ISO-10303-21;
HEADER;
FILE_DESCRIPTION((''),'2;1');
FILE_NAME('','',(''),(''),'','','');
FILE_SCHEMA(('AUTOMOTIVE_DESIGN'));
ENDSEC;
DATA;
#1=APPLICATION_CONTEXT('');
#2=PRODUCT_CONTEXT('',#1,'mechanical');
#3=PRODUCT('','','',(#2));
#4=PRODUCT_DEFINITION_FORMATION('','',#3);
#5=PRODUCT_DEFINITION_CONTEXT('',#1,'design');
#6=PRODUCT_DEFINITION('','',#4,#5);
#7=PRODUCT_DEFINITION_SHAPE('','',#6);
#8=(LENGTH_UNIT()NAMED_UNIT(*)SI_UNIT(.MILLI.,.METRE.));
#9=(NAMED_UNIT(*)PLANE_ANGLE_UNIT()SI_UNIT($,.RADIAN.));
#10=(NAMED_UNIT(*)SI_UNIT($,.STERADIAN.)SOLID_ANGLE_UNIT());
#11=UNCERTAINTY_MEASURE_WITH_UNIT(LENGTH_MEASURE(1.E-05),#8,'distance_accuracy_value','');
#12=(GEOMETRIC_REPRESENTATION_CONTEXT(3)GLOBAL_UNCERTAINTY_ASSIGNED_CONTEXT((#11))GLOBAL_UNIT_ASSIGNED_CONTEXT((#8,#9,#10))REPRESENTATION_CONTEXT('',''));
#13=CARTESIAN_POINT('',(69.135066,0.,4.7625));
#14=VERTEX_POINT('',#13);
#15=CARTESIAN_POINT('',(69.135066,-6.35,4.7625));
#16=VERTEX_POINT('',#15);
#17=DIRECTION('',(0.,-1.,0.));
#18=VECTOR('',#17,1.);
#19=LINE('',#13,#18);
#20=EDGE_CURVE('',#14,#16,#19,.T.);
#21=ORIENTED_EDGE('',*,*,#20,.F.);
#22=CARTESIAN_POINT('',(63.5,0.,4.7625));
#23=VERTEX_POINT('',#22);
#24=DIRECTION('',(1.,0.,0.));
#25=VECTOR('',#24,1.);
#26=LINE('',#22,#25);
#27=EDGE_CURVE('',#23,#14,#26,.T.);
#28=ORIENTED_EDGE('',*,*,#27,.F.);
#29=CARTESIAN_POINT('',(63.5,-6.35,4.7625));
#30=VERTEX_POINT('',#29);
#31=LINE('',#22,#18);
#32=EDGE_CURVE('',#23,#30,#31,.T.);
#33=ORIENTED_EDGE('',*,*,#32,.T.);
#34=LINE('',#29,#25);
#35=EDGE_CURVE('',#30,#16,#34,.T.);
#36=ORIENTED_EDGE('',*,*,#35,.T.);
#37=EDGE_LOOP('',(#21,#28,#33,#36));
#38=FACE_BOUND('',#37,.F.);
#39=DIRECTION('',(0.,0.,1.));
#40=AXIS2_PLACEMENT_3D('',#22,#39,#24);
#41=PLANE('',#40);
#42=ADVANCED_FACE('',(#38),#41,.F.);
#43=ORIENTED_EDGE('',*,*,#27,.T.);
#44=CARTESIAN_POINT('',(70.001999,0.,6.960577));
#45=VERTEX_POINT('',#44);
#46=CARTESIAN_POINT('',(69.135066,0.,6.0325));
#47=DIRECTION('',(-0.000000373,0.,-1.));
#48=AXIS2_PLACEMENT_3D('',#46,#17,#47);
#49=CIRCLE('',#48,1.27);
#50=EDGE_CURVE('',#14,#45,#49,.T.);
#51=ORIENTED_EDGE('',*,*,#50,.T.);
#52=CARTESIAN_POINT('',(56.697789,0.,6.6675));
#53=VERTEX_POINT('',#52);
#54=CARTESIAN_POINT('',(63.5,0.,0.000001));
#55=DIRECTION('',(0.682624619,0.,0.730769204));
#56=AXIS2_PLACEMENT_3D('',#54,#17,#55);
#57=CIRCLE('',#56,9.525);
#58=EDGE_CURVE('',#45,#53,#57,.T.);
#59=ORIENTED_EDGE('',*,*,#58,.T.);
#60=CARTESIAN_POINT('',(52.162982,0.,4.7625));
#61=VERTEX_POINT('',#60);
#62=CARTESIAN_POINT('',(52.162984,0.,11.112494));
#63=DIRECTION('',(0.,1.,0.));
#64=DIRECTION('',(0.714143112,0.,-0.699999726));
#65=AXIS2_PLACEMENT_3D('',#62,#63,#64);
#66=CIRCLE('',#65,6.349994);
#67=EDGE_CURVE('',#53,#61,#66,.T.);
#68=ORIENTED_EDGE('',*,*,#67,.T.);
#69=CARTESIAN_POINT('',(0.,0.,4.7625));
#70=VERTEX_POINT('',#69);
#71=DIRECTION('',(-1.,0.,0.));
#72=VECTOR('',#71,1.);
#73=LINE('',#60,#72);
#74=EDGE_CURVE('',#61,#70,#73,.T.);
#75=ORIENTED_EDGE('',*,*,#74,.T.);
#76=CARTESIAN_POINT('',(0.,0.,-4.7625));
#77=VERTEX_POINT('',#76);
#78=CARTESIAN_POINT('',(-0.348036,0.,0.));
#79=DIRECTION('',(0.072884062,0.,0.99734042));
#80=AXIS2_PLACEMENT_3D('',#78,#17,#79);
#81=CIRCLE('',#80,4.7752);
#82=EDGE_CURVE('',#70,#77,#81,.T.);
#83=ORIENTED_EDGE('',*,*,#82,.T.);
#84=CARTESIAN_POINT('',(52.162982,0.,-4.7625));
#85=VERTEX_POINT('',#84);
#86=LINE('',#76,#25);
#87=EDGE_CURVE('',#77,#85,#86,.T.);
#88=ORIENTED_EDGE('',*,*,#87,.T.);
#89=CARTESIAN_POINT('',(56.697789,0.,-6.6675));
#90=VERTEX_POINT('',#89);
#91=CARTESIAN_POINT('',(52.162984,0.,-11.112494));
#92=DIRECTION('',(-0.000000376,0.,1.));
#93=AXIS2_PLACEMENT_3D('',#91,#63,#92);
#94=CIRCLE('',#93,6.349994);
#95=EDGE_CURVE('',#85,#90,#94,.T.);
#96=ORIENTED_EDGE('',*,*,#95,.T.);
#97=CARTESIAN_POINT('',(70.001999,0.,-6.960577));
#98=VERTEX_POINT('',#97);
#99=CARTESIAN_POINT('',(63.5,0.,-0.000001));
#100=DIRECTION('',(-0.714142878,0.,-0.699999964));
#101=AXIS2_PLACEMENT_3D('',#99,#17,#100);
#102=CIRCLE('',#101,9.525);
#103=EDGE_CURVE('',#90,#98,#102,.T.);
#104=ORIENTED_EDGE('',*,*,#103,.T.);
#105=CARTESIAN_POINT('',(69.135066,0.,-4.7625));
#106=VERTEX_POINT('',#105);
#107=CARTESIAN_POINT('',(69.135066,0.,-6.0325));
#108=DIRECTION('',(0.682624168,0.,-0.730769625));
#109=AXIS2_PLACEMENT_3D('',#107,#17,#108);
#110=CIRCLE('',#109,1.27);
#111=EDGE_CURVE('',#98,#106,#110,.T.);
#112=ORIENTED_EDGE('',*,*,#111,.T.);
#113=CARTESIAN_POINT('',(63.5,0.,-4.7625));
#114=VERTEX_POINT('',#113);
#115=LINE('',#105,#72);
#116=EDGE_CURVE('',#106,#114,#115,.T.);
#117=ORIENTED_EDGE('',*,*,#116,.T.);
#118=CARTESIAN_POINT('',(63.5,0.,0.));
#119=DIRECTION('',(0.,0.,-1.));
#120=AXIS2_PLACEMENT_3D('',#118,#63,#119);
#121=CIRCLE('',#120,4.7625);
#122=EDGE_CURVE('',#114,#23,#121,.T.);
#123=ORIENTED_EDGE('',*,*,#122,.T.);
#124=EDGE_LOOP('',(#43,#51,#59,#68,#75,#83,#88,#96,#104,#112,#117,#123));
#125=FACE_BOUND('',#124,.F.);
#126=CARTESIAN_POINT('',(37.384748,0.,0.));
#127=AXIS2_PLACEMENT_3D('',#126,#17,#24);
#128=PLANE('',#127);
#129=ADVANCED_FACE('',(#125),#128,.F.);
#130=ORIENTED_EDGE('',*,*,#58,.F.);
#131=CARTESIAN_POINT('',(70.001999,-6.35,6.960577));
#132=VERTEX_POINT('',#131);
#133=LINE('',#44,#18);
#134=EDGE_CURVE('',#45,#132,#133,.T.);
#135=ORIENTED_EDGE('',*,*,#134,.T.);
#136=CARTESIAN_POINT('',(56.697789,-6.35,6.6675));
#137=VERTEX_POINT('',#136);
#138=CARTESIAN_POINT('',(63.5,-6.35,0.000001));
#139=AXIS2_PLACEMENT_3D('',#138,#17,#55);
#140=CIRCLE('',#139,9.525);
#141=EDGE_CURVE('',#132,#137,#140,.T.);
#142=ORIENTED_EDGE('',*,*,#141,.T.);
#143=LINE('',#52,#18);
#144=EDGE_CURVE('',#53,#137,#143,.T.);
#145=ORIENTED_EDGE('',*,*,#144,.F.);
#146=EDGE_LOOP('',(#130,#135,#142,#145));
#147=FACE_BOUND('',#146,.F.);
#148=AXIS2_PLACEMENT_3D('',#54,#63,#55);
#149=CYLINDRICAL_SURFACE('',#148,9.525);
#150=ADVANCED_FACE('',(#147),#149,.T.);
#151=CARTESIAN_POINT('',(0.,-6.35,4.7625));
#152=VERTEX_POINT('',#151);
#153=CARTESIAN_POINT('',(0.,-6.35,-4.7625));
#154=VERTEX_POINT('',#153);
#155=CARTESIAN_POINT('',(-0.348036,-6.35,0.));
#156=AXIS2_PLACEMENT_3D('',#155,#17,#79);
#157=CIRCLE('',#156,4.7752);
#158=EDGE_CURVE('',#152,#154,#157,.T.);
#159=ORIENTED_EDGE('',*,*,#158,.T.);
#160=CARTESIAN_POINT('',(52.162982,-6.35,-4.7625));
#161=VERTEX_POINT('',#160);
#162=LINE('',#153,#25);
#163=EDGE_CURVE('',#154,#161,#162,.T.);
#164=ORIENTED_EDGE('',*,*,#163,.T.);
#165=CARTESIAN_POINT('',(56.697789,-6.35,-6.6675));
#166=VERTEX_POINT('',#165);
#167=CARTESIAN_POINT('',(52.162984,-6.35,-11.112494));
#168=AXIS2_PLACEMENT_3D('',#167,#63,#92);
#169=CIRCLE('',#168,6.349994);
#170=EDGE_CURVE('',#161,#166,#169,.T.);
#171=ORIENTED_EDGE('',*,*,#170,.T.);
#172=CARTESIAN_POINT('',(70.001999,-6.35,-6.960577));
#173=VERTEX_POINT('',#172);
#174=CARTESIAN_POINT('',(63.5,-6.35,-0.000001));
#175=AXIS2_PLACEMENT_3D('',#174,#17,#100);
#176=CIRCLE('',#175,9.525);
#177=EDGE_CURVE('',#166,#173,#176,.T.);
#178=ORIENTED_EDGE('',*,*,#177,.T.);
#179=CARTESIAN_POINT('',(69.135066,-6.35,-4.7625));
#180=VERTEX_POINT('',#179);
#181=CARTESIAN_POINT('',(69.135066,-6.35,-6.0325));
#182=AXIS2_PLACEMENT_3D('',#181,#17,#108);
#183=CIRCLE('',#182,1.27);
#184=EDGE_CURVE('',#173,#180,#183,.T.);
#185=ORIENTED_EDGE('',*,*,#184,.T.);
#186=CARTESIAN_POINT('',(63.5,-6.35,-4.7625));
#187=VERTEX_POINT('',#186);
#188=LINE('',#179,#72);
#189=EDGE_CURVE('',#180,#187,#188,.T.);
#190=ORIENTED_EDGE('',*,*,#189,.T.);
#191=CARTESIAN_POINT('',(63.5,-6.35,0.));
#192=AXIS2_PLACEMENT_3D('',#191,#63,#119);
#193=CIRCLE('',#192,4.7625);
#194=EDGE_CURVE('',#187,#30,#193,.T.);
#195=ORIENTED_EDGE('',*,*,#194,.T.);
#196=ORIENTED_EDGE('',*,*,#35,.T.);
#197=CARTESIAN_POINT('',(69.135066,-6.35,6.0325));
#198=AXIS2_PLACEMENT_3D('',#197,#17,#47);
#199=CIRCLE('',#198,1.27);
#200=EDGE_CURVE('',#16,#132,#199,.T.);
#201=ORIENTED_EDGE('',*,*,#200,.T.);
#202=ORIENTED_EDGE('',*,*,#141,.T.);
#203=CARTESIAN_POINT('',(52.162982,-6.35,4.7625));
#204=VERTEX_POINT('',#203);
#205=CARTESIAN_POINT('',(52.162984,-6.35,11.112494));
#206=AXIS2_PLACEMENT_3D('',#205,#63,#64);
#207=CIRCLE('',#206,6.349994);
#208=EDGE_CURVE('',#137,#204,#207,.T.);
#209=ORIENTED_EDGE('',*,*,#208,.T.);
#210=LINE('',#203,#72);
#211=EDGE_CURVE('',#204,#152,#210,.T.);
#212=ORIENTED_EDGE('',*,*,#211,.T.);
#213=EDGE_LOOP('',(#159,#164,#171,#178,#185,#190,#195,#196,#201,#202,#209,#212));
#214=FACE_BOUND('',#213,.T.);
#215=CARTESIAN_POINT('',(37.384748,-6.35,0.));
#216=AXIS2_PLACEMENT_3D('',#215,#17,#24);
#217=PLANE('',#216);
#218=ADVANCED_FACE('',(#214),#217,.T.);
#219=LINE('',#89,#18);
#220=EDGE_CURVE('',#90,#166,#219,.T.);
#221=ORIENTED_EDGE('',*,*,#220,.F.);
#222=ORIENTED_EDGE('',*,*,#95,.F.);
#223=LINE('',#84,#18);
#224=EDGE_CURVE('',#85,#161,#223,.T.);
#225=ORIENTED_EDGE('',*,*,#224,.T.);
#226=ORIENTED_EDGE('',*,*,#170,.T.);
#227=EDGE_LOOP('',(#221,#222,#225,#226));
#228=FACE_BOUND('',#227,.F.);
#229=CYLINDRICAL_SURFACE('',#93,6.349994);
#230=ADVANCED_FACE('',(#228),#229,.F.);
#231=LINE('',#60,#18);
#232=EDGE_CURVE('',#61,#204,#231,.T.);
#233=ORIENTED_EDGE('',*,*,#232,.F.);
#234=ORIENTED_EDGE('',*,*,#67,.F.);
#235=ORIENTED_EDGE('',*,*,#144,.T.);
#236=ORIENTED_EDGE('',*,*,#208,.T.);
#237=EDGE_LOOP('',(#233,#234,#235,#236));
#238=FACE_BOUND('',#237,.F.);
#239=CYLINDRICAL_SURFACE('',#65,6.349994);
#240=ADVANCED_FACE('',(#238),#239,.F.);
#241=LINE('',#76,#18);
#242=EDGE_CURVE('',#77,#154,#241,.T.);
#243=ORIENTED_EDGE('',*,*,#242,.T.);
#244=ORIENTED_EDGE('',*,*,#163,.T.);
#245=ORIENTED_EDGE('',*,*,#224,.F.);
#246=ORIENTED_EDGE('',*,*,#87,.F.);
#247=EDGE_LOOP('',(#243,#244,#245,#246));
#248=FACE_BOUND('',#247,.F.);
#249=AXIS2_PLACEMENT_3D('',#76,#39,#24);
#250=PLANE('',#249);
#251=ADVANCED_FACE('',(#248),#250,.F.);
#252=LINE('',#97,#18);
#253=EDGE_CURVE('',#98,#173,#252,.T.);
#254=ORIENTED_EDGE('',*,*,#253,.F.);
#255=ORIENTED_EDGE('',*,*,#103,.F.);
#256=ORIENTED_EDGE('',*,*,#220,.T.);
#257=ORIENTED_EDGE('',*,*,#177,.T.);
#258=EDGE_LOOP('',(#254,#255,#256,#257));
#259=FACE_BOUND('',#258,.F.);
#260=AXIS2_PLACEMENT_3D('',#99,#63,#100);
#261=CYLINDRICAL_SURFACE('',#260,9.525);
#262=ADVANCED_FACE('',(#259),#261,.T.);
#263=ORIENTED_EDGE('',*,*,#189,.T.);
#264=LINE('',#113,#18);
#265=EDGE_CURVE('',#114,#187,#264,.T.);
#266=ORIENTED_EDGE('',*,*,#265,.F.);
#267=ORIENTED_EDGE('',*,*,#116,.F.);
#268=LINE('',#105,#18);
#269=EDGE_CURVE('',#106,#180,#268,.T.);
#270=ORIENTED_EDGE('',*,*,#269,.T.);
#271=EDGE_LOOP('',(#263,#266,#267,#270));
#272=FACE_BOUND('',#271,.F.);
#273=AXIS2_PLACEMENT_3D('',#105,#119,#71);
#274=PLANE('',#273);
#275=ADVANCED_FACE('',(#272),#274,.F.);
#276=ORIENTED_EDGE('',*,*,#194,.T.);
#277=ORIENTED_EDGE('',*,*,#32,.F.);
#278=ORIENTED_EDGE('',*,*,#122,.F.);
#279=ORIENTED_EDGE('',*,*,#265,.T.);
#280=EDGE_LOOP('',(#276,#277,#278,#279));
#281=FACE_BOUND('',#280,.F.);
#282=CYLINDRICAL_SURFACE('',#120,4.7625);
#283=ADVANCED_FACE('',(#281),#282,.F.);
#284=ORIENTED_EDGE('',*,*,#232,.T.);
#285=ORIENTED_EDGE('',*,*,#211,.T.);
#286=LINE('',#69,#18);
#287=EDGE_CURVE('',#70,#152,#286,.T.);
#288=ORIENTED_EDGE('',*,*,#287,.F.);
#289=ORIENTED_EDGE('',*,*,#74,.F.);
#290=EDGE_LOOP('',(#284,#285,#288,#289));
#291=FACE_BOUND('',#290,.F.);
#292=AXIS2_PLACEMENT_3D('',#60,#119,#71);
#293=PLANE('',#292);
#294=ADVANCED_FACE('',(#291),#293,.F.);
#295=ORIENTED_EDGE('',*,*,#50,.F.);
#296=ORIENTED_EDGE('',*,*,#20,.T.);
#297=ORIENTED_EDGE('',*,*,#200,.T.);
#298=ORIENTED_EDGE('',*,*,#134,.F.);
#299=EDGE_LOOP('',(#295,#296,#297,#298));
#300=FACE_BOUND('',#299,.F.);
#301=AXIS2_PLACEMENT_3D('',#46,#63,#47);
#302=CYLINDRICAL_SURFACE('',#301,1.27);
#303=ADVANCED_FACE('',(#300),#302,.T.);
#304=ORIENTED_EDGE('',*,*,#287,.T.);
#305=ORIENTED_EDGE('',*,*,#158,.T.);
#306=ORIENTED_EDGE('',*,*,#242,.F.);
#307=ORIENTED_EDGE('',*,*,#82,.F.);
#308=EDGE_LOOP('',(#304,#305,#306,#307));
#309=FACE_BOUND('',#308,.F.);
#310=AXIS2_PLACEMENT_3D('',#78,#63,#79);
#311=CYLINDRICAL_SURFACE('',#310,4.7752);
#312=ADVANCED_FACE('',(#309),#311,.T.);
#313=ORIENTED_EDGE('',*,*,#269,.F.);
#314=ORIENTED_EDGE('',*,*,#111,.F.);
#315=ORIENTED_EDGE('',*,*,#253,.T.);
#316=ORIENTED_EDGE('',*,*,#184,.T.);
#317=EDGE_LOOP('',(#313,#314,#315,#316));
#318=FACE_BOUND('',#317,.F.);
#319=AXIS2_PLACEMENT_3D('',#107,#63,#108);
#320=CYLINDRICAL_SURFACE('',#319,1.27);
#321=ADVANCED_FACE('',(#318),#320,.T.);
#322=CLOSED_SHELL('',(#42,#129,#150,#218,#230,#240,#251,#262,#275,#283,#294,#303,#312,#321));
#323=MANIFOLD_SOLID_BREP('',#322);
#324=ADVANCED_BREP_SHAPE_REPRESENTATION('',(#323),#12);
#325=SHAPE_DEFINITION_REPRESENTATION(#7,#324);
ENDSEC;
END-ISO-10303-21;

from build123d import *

# Parameters (mm, degrees)
F1_DEPTH = 6.35


with BuildPart() as f1:
    # F0 (on Front) → F1 (new body)
    with BuildSketch(Plane.XZ):
        with BuildLine():
            Line((52.162982, 4.7625), (0, 4.7625))
            ThreePointArc((0, 4.7625), (-5.123236, 0), (0, -4.7625))
            Line((0, -4.7625), (52.162982, -4.7625))
            ThreePointArc((52.162982, -4.7625), (54.622327, -5.258089), (56.697789, -6.6675))
            ThreePointArc((56.697789, -6.6675), (63.290226, -9.52269), (70.001999, -6.960577))
            ThreePointArc((70.001999, -6.960577), (70.316497, -5.566537), (69.135066, -4.7625))
            Line((69.135066, -4.7625), (63.5, -4.7625))
            ThreePointArc((63.5, -4.7625), (58.7375, 0), (63.5, 4.7625))
            Line((63.5, 4.7625), (69.135066, 4.7625))
            ThreePointArc((69.135066, 4.7625), (70.316497, 5.566537), (70.001999, 6.960577))
            ThreePointArc((70.001999, 6.960577), (63.290226, 9.52269), (56.697789, 6.6675))
            ThreePointArc((56.697789, 6.6675), (54.622327, 5.258089), (52.162982, 4.7625))
        make_face()
    extrude(amount=F1_DEPTH)


solid = f1.part
